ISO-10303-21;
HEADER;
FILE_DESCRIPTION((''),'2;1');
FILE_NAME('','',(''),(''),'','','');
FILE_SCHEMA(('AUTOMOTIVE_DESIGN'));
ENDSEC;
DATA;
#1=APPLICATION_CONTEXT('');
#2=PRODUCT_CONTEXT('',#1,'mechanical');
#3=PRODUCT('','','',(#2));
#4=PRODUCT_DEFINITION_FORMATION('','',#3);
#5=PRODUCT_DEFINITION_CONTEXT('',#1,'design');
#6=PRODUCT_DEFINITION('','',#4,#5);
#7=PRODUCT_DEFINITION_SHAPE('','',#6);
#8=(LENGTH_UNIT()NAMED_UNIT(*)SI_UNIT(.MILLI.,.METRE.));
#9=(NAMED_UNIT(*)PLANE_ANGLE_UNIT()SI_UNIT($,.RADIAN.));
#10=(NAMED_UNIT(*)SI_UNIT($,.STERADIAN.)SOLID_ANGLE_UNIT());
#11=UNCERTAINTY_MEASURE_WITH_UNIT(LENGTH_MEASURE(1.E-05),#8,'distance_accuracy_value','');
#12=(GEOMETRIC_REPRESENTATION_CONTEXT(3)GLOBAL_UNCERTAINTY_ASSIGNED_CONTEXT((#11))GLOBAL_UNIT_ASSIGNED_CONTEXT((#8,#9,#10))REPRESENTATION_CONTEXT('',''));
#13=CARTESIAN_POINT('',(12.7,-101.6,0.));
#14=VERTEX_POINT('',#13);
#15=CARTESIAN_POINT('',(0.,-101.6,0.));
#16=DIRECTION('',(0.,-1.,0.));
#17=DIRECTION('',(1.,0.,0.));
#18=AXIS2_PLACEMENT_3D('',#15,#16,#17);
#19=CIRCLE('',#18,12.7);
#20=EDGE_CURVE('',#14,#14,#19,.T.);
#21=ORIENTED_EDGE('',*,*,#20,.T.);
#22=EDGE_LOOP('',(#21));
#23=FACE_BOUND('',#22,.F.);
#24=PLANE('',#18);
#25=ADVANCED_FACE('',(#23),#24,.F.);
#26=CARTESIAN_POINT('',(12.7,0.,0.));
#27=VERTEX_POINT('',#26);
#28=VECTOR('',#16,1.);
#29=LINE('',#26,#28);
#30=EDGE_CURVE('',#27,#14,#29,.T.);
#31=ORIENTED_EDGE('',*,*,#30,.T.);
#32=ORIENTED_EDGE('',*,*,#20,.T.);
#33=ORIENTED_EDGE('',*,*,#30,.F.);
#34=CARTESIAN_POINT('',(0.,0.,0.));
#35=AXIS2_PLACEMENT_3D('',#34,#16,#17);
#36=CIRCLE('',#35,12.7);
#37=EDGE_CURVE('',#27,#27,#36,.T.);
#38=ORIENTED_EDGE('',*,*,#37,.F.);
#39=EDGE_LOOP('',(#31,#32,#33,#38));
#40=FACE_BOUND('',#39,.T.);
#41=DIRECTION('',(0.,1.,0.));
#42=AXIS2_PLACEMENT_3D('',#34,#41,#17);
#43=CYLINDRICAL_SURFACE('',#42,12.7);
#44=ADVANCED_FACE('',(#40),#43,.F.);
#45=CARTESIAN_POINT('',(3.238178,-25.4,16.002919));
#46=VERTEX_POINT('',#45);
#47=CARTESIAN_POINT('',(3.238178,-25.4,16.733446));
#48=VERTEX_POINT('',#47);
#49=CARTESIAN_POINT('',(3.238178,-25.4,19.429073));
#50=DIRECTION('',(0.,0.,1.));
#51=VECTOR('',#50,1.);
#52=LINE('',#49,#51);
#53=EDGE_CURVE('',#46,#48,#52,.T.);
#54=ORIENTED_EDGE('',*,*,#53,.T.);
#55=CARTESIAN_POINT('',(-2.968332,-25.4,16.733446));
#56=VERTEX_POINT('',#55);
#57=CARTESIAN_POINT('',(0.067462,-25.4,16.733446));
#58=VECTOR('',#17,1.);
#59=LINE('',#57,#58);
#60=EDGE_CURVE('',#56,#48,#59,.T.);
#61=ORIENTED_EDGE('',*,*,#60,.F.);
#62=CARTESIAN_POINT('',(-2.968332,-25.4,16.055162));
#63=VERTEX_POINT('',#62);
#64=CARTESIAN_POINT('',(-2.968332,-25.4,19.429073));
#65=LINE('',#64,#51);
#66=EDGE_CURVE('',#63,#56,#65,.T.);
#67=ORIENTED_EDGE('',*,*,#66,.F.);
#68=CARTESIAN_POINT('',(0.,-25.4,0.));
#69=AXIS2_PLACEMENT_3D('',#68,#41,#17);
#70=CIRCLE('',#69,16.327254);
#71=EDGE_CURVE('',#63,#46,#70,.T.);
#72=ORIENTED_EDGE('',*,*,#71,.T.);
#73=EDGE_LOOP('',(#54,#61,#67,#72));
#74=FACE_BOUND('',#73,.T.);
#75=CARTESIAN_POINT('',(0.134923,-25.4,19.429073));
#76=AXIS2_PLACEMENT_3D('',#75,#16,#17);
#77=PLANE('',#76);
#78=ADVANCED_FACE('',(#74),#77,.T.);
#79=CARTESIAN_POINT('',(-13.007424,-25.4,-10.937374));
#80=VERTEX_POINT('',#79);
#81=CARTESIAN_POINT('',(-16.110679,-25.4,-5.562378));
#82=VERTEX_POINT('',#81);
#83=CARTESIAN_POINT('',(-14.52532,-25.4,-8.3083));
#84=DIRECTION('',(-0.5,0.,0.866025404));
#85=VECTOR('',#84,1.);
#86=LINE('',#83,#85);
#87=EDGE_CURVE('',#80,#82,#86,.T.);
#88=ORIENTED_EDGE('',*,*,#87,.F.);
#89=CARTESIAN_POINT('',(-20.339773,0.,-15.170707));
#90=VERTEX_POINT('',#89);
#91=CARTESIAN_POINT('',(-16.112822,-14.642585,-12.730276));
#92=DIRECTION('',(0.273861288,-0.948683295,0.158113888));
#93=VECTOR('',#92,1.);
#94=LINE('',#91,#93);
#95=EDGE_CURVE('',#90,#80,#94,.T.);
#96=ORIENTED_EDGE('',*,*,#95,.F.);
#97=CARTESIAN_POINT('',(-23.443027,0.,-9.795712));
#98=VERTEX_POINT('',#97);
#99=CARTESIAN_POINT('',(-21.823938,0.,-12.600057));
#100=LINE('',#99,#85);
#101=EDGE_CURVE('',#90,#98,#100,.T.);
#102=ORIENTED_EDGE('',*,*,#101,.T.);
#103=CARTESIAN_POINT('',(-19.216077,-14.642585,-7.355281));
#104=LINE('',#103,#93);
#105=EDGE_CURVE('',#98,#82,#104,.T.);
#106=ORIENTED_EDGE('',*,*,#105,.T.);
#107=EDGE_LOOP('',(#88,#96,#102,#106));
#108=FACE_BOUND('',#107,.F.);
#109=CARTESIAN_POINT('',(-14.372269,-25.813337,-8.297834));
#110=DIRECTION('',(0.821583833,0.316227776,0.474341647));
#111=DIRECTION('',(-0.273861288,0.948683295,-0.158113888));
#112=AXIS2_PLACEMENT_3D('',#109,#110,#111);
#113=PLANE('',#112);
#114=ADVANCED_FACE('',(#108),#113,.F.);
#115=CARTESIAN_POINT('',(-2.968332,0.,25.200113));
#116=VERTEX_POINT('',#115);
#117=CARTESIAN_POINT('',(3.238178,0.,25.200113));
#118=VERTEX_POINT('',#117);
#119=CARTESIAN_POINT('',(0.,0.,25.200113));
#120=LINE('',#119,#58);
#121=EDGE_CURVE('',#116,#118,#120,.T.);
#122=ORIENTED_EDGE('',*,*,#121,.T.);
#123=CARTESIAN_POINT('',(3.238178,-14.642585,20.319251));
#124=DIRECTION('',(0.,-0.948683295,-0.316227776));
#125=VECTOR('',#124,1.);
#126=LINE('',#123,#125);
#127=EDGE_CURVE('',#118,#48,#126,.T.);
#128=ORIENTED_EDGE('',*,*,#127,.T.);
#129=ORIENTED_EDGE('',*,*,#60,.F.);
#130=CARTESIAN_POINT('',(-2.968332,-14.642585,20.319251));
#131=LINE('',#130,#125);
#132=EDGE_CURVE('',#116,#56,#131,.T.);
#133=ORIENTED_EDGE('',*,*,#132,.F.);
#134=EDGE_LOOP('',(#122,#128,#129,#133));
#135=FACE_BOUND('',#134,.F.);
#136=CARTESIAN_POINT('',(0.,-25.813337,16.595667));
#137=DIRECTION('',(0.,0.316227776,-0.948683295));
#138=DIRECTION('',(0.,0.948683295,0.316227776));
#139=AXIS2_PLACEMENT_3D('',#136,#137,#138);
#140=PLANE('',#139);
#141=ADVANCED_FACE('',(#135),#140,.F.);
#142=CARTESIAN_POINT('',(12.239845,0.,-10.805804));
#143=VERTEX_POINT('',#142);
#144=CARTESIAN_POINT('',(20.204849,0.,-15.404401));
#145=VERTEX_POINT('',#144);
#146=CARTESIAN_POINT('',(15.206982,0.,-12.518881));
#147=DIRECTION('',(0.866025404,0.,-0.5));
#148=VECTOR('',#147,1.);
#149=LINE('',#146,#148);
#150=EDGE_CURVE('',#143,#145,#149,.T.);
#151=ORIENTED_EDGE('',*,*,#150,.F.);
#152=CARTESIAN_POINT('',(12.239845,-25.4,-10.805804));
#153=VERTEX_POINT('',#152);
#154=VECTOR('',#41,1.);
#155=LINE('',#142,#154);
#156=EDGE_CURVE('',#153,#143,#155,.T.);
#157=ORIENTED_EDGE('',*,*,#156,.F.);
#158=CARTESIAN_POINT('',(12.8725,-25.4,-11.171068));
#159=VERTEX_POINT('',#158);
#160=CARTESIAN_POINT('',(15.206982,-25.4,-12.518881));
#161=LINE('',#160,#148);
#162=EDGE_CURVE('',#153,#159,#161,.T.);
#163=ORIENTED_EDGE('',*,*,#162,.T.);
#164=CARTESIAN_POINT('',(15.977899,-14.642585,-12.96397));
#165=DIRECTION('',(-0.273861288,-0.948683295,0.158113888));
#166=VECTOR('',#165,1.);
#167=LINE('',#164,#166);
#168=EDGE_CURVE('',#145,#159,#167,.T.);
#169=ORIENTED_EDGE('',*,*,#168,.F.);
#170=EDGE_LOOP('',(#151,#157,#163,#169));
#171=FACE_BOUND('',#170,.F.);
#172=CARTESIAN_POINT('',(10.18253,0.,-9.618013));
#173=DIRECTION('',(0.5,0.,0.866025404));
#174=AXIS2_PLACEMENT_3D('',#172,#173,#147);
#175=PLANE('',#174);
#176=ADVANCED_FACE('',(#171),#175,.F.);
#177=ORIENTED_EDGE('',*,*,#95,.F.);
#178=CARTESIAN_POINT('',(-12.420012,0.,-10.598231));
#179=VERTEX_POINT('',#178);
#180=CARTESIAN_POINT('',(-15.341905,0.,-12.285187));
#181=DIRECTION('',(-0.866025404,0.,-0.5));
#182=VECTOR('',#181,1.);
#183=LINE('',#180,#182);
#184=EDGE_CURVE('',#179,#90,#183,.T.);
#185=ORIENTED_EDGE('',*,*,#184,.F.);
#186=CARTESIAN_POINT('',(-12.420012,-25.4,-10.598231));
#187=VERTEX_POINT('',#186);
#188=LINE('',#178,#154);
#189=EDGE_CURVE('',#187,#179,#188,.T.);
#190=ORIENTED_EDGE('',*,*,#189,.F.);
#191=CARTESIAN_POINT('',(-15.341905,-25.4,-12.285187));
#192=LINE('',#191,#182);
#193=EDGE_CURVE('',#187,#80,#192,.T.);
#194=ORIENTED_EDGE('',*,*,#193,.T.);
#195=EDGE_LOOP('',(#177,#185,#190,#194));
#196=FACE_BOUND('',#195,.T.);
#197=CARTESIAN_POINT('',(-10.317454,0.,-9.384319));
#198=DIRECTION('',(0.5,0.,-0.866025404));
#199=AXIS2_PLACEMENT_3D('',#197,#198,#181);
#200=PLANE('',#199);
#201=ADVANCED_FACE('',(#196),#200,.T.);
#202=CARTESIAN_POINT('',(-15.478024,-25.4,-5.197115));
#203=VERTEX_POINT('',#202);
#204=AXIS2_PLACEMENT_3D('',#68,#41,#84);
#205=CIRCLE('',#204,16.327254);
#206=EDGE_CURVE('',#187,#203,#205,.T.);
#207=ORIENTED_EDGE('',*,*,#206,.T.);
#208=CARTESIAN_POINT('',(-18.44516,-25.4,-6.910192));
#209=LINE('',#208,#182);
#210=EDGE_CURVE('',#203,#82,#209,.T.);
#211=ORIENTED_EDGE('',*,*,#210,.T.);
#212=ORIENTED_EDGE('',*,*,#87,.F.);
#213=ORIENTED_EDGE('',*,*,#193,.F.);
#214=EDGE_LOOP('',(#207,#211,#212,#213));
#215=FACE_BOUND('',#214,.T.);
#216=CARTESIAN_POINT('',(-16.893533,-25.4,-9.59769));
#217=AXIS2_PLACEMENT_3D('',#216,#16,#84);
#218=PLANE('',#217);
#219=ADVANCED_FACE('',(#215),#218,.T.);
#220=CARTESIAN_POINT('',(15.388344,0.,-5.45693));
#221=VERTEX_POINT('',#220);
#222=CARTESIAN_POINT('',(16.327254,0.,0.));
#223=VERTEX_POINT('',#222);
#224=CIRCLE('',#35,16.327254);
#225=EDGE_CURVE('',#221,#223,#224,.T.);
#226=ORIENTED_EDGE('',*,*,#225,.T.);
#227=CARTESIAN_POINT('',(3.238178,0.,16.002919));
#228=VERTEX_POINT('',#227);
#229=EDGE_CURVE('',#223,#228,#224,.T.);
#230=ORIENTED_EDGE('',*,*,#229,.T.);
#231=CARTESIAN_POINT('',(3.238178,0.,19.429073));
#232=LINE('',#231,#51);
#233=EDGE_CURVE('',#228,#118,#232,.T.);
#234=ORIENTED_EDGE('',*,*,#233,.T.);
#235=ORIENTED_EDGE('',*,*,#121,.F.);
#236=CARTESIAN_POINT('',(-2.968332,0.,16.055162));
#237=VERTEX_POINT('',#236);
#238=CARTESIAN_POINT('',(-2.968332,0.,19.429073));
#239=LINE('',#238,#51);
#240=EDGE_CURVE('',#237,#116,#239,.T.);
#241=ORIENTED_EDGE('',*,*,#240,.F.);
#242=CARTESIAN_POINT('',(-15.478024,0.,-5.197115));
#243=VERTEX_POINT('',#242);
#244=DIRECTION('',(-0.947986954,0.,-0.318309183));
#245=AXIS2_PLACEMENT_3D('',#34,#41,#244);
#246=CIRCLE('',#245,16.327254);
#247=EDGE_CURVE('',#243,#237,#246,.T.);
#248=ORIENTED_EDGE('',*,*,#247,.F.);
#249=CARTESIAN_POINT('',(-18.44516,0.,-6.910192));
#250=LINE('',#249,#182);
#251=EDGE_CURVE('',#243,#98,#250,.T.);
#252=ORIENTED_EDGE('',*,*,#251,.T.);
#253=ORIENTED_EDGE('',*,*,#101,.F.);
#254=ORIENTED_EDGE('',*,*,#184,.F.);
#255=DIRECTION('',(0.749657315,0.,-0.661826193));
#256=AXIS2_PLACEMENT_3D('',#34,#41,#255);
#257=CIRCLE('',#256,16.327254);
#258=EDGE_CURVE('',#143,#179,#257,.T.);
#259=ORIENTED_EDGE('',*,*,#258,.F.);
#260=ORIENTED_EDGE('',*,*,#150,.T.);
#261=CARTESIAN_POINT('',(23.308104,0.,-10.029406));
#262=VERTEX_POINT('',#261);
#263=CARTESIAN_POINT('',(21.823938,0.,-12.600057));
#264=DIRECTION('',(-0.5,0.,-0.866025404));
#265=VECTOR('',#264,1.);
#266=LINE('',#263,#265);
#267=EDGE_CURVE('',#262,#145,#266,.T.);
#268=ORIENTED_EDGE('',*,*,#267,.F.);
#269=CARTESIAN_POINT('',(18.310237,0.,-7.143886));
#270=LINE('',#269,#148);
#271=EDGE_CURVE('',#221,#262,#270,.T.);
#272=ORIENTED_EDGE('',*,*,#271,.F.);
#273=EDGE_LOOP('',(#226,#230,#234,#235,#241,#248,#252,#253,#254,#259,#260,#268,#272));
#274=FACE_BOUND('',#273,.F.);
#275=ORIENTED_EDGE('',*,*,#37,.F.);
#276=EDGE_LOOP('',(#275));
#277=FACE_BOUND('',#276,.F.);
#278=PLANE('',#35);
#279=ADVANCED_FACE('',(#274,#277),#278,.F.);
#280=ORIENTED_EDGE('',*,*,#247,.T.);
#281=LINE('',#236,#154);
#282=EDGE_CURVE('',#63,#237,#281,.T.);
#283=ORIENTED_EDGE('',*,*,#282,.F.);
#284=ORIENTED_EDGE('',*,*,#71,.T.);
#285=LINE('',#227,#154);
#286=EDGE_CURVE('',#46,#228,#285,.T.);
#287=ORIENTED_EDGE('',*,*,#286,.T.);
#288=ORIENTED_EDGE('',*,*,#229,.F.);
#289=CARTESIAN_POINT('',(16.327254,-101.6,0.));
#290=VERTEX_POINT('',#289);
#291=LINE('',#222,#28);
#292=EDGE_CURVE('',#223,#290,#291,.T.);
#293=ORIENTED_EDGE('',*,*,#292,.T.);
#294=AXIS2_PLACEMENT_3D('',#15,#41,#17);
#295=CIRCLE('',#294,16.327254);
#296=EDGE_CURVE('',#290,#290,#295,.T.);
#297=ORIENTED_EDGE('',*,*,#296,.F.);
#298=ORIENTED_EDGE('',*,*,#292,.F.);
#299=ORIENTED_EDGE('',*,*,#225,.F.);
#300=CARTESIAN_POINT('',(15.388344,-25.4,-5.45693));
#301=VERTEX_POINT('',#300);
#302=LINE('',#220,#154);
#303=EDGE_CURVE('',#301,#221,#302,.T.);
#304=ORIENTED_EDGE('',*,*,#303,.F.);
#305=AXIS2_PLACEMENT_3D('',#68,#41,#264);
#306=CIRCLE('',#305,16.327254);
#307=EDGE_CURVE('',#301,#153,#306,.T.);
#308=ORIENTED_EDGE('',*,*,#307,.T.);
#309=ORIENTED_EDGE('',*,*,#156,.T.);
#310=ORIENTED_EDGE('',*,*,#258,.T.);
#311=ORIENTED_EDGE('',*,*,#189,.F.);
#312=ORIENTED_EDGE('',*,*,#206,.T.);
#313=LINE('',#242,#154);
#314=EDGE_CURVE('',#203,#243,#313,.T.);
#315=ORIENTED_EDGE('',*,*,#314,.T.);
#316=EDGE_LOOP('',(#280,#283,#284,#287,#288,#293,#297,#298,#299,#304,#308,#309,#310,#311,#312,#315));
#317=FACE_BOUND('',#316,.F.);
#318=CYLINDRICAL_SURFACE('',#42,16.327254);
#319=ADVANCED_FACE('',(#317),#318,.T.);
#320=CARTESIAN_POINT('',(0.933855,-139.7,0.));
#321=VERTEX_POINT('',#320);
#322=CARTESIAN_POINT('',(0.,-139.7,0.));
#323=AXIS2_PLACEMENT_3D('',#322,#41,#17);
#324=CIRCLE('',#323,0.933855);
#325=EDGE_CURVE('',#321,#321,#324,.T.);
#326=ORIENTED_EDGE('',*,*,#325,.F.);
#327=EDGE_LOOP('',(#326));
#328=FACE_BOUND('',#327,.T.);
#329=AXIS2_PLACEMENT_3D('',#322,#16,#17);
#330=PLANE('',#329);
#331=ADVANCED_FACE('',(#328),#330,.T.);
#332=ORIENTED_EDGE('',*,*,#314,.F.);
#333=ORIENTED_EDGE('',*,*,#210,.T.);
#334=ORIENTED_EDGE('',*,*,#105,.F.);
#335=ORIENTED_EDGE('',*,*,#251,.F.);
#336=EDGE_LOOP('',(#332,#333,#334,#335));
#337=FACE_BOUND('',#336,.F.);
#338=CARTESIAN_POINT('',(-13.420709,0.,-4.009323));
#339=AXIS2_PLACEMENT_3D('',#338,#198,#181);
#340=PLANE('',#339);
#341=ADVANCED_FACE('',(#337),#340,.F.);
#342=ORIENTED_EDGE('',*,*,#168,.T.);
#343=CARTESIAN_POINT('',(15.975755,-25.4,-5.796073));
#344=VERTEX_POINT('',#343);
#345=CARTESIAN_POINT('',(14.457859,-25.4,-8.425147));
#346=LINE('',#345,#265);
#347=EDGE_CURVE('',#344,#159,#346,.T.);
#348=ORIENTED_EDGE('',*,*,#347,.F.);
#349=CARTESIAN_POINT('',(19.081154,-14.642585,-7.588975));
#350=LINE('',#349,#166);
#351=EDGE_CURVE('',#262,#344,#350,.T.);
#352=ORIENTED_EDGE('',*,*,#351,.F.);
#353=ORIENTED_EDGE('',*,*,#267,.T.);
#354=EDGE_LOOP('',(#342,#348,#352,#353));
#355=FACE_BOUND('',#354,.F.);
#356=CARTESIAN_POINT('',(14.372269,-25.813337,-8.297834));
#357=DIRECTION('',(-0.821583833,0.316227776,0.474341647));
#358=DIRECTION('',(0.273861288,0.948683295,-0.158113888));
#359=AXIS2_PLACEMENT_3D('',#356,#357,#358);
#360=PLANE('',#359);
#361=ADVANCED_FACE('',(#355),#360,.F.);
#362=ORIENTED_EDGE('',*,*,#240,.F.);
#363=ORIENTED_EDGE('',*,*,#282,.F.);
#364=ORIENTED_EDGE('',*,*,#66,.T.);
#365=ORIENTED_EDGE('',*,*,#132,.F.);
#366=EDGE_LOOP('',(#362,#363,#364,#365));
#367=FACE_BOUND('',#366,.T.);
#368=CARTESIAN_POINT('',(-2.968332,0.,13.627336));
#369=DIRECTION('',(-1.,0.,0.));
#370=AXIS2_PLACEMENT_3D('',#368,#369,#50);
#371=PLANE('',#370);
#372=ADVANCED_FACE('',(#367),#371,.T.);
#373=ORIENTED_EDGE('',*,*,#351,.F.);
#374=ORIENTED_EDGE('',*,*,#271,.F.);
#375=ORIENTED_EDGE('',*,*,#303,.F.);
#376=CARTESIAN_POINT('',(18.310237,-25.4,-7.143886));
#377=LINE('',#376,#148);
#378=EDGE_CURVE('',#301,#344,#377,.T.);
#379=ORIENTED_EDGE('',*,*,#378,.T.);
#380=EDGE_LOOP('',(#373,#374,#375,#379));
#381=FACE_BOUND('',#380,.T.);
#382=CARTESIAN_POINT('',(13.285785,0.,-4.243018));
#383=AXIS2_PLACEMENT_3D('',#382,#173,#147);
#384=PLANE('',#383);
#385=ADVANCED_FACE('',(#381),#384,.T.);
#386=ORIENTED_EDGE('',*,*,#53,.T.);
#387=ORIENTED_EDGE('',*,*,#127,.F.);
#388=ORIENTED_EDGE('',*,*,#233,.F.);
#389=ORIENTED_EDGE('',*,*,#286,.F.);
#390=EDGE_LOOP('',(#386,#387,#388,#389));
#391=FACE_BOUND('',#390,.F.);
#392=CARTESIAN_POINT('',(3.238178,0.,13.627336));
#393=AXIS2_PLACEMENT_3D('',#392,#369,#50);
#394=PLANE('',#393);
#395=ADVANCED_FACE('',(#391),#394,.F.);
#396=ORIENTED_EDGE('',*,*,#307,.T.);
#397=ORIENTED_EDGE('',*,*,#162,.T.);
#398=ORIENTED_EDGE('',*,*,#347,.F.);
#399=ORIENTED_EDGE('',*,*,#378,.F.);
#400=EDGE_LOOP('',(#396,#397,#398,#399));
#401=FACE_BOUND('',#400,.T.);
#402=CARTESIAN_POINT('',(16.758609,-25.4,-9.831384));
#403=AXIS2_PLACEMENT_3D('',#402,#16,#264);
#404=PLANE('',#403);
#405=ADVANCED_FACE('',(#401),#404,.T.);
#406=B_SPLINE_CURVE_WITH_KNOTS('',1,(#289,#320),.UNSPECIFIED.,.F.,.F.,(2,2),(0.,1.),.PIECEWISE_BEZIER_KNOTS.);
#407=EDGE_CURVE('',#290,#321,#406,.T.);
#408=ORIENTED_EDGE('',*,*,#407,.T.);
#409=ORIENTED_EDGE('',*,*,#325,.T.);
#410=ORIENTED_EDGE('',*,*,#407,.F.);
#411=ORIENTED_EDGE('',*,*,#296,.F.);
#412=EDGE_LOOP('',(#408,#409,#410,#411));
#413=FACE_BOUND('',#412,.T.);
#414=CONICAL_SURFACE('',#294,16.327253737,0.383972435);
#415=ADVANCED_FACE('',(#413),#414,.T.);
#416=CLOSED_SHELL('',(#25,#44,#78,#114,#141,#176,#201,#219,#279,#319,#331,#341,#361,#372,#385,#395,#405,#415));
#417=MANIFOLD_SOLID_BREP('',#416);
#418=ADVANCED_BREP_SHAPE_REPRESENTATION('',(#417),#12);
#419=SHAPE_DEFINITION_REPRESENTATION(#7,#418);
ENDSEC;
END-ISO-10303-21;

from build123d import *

# Parameters (mm, degrees)
F0_R     = 16.327253737
F0_R_2   = 12.7
F1_DEPTH = 101.6
F2_R     = 16.327253737
F3_DEPTH = 38.1
F3_TAPER = 22
F4_W     = 6.20650989
F4_H     = 11.6034736857
F5_DEPTH = 25.4
F7_DEPTH = 12.7
F8_COUNT = 3
F8_ANGLE = 240


with BuildPart() as f1:
    # F0 (on Front) → F1 (new body)
    with BuildSketch(Plane.XZ):
        Circle(F0_R)
        Circle(F0_R_2, mode=Mode.SUBTRACT)
    extrude(amount=F1_DEPTH)

    # F2 (on face) → F3 (join)
    with BuildSketch(Plane.XZ.offset(101.6)):
        Circle(F2_R)
    extrude(amount=F3_DEPTH, taper=F3_TAPER)

    # F4 (on Front) → F5 (join)
    with BuildSketch(Plane.XZ):
        with Locations((0.1349233789, 19.4290732034)):
            Rectangle(F4_W, F4_H)
    extrude(amount=F5_DEPTH)

    # F6 (on Right) → F7 (cut, symmetric)
    with BuildSketch(Plane.YZ):
        Polygon((25.9975232184, 33.8659547269), (-25.5434866995, 34.4056524336), (-25.8133374155, 16.5956672281), align=None)
    extrude(amount=F7_DEPTH, both=True, mode=Mode.SUBTRACT)

    # F8: F1 ×3 about axis
    f8_axis = Axis((0, 0, 0), (0, -1, 0))


with BuildPart() as f1_1:
    add(f1.part)
    for i in range(1, F8_COUNT):
        add(f1.part.rotate(f8_axis, i * F8_ANGLE / (F8_COUNT - 1)))


solid = f1_1.part
